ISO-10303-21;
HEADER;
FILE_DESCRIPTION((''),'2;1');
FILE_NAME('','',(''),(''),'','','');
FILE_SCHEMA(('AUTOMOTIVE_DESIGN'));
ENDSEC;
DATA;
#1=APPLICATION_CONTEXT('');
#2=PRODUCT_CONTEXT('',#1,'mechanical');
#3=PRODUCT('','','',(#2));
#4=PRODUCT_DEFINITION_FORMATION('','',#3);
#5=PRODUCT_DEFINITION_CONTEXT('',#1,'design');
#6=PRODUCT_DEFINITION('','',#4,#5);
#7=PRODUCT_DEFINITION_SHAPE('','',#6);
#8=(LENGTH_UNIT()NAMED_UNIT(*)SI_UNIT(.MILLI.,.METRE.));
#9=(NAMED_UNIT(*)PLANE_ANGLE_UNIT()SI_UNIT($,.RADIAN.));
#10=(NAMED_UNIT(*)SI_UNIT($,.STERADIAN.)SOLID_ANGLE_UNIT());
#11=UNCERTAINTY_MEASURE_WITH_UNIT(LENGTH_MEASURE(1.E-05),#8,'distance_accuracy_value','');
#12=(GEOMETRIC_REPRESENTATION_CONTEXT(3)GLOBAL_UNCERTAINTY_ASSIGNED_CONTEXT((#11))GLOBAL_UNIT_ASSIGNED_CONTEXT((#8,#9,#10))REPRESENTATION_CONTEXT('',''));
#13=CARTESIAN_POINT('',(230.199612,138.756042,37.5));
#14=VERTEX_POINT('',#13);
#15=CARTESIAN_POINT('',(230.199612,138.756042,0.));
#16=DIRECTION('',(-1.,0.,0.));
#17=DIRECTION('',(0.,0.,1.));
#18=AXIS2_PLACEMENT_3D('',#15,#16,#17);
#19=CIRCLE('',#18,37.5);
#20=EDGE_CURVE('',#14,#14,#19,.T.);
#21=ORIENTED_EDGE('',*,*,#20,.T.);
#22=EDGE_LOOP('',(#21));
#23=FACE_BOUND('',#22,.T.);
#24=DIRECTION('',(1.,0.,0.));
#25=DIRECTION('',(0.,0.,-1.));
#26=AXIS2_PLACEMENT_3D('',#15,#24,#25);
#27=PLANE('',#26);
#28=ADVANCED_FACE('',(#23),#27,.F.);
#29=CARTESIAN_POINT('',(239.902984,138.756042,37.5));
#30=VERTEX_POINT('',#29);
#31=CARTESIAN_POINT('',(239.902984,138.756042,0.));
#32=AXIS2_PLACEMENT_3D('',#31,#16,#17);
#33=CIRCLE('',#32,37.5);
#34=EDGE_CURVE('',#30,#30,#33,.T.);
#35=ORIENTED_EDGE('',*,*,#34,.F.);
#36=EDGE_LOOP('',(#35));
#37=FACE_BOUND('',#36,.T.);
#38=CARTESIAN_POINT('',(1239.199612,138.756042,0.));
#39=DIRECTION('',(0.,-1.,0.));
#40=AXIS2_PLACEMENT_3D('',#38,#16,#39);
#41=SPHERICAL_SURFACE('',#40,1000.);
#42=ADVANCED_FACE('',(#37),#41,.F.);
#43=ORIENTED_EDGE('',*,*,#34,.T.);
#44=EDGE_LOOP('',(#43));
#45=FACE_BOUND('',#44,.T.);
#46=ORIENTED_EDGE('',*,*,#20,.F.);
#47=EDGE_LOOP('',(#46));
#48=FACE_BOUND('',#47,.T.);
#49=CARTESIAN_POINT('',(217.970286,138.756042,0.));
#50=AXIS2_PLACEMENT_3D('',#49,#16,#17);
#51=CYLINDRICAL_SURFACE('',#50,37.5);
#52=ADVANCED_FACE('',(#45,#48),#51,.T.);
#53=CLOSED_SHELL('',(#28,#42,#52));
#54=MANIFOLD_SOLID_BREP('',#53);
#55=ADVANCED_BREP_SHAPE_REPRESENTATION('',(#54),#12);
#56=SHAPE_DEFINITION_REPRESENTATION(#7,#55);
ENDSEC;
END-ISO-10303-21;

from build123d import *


with BuildPart() as part:
    # 草图1 → 旋转1 (revolve)
    with BuildSketch(Plane.XY, mode=Mode.PRIVATE) as revolve_1_sk:
        with BuildLine():
            Line((230.199611905, 138.756042247), (230.199611905, 176.256042247))
            Line((230.199611905, 176.256042247), (239.90298428, 176.256042247))
            ThreePointArc((239.90298428, 176.256042247), (239.375470468, 157.509340175), (239.199611914, 138.756042247))
            Line((239.199611914, 138.756042247), (230.199611905, 138.756042247))
        make_face()
    revolve(revolve_1_sk.sketch.rotate(Axis((217.970286004, 138.756042247, 0), (1, 0, 0)), 180), axis=Axis((217.970286004, 138.756042247, 0), (1, 0, 0)))  # turned: the seam where the file's is


solid = part.part
